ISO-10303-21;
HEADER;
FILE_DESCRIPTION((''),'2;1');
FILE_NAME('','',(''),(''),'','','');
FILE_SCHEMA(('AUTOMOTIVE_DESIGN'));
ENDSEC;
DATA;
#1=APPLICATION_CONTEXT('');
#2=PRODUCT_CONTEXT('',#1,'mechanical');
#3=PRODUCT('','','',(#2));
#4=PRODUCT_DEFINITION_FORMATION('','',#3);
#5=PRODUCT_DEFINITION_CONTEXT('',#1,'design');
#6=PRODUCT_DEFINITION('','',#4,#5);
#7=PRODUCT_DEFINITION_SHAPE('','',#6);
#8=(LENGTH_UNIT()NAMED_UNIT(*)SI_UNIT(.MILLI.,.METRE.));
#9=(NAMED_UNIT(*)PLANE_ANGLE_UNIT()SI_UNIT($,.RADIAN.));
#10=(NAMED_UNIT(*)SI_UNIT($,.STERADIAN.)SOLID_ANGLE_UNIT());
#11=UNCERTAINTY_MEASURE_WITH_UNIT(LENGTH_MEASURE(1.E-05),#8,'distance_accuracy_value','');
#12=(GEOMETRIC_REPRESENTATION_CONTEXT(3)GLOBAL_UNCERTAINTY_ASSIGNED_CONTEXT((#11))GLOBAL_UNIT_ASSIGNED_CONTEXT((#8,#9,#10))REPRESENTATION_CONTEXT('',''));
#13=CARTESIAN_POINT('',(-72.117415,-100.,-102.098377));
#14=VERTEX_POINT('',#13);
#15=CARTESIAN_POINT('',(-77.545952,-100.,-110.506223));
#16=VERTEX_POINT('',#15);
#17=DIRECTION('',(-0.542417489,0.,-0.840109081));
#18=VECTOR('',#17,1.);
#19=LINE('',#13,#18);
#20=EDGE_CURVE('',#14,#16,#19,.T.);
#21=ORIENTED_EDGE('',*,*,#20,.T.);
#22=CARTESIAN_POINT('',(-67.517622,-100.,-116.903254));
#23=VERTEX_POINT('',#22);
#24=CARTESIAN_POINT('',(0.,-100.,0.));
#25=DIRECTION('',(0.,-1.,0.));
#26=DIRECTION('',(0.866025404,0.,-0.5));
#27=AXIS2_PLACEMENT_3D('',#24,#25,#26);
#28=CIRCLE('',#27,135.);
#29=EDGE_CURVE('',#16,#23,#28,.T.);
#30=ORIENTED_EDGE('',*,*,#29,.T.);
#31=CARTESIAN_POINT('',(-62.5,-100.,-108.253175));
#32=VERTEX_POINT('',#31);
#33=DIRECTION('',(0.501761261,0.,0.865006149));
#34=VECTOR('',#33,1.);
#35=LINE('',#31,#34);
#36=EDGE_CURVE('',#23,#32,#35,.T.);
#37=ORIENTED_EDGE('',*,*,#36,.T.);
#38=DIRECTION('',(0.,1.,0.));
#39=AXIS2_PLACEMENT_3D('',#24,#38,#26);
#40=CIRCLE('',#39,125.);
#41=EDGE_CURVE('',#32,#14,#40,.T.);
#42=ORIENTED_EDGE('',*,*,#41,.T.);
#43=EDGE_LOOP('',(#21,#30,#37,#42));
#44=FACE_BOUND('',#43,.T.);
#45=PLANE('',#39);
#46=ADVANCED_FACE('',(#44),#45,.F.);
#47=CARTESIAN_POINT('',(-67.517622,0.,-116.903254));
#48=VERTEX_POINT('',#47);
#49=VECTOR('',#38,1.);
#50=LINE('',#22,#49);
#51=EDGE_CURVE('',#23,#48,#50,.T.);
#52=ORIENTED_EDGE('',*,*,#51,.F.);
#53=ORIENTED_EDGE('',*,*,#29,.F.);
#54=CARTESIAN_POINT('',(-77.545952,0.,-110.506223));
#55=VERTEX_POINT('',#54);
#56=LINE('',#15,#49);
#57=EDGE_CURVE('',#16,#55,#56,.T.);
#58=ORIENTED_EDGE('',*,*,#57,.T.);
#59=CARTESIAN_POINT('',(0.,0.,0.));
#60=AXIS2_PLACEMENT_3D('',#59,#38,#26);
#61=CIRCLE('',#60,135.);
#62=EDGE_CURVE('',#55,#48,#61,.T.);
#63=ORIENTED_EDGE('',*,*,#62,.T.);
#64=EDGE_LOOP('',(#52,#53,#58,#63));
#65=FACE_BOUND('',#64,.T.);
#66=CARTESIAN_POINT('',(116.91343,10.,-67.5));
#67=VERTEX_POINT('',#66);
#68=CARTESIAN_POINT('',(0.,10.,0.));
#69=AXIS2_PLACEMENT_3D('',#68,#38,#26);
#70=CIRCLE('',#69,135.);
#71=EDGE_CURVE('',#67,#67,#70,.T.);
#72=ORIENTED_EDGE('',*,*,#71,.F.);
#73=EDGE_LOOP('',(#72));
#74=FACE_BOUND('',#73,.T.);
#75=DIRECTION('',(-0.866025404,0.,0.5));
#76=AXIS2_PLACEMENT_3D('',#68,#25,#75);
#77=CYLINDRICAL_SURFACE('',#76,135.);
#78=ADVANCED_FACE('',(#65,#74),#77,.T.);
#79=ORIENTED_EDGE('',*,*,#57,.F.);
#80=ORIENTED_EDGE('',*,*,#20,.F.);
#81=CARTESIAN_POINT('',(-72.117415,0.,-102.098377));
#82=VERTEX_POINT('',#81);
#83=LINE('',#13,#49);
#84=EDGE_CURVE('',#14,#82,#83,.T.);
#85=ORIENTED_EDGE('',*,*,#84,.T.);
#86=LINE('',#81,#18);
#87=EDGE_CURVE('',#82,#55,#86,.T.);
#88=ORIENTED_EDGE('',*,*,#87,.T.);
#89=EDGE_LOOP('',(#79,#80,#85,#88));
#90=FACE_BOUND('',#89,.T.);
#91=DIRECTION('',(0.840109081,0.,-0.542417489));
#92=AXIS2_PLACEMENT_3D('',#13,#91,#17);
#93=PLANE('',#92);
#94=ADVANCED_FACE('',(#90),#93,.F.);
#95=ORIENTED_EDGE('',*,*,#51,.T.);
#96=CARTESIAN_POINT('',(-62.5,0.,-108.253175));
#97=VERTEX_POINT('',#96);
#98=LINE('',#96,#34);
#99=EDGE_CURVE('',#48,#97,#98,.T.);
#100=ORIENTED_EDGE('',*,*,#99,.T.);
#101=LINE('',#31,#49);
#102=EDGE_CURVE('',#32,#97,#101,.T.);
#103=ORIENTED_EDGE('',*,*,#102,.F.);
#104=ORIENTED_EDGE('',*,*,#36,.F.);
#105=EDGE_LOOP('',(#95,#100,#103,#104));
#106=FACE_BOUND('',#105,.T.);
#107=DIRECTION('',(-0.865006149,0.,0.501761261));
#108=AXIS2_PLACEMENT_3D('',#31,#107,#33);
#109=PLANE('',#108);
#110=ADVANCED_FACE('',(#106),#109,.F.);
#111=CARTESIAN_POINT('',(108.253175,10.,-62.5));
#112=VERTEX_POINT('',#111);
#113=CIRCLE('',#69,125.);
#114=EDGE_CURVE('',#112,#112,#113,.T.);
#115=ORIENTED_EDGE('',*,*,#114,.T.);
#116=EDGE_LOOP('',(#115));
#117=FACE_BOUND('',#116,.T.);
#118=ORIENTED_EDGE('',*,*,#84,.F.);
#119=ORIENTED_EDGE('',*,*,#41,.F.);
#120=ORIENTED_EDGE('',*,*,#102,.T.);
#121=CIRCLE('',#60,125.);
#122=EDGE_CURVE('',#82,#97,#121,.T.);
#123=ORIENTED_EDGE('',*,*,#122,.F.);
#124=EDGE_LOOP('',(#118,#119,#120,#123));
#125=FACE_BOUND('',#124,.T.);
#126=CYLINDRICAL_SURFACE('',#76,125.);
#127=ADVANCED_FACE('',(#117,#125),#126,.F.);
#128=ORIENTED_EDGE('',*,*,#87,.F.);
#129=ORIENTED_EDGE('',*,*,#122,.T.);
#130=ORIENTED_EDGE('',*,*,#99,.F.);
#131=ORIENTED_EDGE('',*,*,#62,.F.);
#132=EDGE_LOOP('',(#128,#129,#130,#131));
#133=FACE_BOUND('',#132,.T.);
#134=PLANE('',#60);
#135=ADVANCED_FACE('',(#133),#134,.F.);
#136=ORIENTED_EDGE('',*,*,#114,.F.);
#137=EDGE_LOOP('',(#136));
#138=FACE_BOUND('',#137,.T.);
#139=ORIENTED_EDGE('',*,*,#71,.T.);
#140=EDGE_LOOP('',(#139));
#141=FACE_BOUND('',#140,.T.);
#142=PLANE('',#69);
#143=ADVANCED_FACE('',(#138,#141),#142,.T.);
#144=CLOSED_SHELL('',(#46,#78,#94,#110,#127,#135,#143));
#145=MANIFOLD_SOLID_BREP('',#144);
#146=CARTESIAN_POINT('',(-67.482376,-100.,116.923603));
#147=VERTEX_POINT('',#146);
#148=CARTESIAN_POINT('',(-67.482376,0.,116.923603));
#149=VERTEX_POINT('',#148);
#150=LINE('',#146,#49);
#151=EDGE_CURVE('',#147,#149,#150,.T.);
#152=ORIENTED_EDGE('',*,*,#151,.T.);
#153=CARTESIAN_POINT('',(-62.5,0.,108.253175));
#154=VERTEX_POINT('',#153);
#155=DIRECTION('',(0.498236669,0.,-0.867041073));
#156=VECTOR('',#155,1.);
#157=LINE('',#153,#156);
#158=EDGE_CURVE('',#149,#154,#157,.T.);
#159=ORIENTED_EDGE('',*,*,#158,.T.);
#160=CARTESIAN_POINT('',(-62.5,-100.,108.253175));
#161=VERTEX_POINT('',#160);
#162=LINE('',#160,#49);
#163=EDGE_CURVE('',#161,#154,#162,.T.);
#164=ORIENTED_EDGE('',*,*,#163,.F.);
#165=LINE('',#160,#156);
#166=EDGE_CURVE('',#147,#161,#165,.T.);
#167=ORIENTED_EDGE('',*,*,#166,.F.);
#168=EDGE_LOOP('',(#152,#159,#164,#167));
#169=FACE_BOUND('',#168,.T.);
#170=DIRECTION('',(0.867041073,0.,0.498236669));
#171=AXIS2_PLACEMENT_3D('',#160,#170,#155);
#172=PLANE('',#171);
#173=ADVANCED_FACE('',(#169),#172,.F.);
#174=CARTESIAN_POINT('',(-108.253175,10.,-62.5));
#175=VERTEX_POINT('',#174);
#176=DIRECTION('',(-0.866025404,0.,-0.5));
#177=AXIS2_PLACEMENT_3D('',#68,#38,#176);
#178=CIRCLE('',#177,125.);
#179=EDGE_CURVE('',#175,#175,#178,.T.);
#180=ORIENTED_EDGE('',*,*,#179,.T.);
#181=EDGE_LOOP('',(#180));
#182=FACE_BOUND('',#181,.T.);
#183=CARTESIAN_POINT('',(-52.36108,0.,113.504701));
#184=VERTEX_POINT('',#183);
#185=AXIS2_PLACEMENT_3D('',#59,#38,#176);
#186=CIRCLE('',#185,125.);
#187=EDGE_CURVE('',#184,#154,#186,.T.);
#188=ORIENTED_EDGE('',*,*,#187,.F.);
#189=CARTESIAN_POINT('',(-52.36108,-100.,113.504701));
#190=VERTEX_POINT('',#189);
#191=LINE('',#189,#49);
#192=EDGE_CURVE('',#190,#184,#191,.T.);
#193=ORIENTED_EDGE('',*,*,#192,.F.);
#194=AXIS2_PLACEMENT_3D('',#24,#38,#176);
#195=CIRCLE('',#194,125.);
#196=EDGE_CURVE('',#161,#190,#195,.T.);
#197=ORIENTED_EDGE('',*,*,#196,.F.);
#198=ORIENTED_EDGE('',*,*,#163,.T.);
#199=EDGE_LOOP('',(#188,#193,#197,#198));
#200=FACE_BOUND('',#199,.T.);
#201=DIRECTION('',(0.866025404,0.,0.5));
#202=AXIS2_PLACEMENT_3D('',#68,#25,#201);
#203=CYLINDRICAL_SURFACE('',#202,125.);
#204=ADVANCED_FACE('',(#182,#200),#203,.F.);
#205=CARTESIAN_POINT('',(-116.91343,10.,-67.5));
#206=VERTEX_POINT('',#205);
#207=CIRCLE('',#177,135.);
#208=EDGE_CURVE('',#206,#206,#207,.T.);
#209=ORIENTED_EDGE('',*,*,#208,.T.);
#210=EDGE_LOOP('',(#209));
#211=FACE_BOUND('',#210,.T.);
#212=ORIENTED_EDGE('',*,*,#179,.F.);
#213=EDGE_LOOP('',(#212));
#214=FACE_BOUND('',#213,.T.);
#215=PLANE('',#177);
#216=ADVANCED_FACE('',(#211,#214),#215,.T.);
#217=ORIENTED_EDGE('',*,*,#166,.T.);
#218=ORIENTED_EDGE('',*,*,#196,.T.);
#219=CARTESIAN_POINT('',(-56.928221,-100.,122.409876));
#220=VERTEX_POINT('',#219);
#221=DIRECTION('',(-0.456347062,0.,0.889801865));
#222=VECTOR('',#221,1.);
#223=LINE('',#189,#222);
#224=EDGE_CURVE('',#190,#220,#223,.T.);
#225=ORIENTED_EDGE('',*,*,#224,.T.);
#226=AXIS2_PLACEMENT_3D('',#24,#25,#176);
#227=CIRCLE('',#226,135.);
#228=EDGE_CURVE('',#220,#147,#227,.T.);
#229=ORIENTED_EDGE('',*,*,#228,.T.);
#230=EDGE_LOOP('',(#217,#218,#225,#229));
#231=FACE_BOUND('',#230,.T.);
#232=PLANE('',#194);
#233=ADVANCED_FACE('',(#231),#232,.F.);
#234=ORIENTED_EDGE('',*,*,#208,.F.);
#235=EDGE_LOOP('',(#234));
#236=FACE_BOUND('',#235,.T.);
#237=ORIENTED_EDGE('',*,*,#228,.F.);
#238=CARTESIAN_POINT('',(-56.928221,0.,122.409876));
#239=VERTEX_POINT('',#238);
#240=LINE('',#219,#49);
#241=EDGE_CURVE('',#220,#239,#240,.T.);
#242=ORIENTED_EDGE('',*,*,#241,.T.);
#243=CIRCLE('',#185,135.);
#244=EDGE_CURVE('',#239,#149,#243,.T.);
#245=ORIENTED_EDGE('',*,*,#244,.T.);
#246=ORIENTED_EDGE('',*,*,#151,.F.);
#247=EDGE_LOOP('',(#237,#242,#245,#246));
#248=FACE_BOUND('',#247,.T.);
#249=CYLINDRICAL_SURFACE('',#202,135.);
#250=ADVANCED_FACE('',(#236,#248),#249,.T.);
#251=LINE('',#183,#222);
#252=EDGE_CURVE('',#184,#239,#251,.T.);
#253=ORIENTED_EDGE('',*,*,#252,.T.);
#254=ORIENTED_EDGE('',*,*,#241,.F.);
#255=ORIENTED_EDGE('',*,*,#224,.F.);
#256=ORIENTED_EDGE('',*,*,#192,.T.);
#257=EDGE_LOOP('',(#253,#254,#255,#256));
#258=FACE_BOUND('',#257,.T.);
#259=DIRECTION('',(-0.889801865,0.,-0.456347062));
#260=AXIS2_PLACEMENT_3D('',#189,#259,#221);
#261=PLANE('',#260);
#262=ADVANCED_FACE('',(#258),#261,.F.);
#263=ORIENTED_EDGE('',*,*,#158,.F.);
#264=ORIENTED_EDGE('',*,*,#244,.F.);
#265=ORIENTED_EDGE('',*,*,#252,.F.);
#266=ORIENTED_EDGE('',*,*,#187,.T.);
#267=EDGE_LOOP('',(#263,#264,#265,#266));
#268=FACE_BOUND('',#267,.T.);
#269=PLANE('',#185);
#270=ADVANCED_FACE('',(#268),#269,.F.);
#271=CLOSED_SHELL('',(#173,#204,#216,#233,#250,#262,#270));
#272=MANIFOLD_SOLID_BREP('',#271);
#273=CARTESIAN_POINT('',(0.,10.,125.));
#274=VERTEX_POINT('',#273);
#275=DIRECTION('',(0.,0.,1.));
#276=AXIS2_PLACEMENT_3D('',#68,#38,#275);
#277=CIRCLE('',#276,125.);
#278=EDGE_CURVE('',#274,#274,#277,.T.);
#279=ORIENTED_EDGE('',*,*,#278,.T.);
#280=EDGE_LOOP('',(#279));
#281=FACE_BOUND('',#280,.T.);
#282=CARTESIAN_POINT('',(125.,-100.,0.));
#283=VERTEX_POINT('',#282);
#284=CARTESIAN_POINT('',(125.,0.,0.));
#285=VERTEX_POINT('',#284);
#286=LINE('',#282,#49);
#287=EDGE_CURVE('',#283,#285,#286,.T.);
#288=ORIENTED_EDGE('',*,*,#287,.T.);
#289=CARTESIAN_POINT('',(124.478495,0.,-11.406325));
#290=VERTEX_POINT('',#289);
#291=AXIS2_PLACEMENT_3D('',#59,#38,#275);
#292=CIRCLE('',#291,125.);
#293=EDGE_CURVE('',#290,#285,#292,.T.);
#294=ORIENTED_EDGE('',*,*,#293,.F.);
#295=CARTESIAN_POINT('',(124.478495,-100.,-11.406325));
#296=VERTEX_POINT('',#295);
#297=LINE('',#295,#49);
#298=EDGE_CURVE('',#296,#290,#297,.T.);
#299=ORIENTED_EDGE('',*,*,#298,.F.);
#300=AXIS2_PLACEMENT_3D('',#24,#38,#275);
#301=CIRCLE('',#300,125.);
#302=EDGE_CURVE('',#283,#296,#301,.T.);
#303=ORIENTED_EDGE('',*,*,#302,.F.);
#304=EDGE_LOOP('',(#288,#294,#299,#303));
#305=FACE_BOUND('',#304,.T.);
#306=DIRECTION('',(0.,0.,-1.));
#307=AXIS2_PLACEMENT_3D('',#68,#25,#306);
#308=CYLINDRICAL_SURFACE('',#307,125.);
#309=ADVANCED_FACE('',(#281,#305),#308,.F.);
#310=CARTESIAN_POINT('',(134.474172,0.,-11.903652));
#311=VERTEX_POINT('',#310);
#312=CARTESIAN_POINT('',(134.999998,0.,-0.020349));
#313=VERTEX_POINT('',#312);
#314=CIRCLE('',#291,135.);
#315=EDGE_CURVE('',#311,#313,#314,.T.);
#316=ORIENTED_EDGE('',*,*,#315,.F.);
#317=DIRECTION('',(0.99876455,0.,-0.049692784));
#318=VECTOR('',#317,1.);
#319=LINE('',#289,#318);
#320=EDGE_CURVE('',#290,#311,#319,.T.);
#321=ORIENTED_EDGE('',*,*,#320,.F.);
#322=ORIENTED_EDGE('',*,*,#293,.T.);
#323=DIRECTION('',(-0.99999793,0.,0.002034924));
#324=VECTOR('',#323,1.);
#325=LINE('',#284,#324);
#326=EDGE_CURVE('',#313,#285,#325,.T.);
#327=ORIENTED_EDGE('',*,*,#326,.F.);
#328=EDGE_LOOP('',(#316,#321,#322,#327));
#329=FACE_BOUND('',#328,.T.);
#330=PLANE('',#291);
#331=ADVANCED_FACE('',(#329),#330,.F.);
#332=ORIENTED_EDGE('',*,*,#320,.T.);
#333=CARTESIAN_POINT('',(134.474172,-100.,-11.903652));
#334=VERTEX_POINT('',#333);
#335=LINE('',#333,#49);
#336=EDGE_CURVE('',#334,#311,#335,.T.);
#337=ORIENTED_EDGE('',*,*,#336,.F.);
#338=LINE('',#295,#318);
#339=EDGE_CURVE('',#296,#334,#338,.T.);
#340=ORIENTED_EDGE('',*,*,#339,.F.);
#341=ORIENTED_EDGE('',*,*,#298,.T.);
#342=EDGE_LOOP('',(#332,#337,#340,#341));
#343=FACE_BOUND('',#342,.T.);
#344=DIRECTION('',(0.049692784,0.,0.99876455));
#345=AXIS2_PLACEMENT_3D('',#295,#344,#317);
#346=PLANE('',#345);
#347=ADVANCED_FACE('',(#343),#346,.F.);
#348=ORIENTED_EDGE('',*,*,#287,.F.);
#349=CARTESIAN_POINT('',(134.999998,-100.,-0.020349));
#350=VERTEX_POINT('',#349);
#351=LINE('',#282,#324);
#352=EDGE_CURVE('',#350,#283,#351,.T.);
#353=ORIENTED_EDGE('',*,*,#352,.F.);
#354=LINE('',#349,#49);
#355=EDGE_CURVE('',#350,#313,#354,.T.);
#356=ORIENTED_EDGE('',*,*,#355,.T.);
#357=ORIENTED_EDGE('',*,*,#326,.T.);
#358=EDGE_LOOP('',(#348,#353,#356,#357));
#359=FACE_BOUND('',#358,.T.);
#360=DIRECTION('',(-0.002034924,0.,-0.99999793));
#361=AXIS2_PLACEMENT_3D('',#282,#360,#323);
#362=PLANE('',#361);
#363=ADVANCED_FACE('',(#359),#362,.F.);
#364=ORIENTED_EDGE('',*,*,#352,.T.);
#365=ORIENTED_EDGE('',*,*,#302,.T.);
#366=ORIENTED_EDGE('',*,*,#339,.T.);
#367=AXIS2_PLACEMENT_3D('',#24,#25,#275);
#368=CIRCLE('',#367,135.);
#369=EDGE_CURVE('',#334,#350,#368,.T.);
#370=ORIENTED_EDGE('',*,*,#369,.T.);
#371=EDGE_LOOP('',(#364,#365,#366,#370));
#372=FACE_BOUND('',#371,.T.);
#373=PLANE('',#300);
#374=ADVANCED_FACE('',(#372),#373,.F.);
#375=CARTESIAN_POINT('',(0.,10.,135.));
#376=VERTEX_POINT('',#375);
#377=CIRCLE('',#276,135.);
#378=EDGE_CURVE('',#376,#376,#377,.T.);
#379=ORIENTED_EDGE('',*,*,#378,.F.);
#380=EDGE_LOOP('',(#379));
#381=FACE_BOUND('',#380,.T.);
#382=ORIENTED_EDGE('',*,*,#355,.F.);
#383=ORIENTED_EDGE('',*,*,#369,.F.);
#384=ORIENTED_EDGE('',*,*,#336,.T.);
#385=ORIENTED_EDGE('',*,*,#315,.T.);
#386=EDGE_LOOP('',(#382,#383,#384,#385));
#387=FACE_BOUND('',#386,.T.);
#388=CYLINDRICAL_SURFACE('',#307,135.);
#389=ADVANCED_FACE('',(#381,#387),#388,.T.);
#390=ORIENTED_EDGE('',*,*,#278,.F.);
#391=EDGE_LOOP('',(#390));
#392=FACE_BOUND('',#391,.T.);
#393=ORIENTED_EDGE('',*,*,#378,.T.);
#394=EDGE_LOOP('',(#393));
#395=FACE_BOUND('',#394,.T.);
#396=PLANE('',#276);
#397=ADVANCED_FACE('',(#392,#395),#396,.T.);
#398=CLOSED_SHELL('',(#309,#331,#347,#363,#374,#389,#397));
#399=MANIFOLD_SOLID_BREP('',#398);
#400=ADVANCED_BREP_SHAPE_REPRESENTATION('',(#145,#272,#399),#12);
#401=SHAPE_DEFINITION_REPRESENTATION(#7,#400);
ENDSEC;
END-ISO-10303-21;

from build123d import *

# Parameters (mm, degrees)
SKETCH2_R           = 135
SKETCH2_R_2         = 125
BOSS_EXTRUDE1_DEPTH = 10
BOSS_EXTRUDE2_DEPTH = 100
CIRPATTERN1_COUNT   = 3


with BuildPart() as part:
    # Sketch2 → Boss-Extrude1 (new body)
    with BuildSketch(Plane(origin=(0, 0, 0), x_dir=(1, 0, 0), z_dir=(0, 1, 0))):
        Circle(SKETCH2_R)
        Circle(SKETCH2_R_2, mode=Mode.SUBTRACT)
    extrude(amount=BOSS_EXTRUDE1_DEPTH)

    # Sketch4 → Boss-Extrude2 (add)
    with BuildSketch(Plane.XZ):
        with BuildLine():
            Line((125, 0), (134.999998466, -0.020349279))
            ThreePointArc((134.999998466, -0.020349279), (134.868029655, -5.967794984), (134.474172467, -11.903652353))
            Line((134.474172467, -11.903652353), (124.478495141, -11.406324891))
            ThreePointArc((124.478495141, -11.406324891), (124.869555722, -5.709120222), (125, 0))
        make_face()
    extrude(amount=BOSS_EXTRUDE2_DEPTH)


with BuildPart() as cirpattern1_1:
    # CirPattern1: pattern copy
    add(part.part.rotate(Axis((0, 0, 0), (0, 1, 0)), 1 * 360 / CIRPATTERN1_COUNT))


with BuildPart() as cirpattern1_2:
    # CirPattern1: pattern copy
    add(part.part.rotate(Axis((0, 0, 0), (0, 1, 0)), 2 * 360 / CIRPATTERN1_COUNT))


solid = Compound([part.part, cirpattern1_1.part, cirpattern1_2.part])
